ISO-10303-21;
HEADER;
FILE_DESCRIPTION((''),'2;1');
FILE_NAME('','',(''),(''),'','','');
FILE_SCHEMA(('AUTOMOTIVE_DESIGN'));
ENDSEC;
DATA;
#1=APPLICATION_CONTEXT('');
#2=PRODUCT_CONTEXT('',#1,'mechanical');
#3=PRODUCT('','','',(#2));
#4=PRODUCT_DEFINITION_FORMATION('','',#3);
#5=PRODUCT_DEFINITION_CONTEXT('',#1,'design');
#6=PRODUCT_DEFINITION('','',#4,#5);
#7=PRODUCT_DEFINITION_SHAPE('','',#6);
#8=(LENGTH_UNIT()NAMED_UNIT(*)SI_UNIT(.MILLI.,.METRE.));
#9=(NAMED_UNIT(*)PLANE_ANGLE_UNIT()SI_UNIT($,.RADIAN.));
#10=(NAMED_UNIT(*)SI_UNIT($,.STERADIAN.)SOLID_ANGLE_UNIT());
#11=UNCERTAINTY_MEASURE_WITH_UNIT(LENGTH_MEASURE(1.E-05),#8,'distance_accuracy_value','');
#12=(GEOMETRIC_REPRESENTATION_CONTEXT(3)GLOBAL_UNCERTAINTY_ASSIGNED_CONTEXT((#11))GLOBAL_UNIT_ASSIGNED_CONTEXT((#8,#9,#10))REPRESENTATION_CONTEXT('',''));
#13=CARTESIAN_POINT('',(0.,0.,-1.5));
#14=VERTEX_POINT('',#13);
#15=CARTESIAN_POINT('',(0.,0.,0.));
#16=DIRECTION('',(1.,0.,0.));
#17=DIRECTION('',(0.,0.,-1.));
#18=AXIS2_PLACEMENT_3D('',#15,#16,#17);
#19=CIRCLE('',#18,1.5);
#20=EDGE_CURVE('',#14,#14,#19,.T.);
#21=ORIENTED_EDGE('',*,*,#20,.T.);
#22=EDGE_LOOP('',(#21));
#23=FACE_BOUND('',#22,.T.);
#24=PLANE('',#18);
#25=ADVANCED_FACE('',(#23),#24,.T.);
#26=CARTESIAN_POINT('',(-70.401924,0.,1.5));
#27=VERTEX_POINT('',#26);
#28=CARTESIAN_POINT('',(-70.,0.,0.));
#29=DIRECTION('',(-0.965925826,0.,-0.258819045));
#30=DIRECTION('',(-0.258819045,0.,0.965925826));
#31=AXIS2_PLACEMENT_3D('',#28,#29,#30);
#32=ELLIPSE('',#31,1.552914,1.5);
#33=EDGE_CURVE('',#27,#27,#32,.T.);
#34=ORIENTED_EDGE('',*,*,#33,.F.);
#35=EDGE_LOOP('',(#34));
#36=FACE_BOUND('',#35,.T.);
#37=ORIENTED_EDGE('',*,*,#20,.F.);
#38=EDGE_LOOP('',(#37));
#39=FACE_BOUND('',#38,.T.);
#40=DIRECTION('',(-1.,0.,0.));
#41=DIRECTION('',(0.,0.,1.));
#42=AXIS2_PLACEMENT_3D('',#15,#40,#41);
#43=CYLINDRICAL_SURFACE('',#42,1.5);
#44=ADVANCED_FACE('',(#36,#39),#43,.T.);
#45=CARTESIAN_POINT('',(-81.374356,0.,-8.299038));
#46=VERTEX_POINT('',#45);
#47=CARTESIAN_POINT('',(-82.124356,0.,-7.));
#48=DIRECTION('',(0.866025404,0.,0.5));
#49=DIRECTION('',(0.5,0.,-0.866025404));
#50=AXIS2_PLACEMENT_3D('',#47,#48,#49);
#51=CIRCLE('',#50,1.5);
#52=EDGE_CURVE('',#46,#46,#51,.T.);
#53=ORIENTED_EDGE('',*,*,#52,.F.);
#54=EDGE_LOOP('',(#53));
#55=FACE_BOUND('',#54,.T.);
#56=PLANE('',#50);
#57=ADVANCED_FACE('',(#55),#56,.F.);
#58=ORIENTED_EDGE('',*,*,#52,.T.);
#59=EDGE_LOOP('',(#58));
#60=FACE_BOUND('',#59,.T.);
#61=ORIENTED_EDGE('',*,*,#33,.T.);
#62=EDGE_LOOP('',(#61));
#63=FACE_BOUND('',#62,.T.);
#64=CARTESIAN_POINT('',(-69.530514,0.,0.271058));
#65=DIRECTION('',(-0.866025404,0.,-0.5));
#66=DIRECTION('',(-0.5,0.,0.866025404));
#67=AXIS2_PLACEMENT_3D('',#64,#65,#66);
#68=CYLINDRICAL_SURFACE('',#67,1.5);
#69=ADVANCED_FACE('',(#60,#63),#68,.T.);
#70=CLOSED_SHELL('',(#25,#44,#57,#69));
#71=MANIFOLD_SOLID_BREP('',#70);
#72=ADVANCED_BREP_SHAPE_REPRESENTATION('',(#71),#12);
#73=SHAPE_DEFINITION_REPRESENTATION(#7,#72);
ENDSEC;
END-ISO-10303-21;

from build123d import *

# Parameters (mm, degrees)
SKETCH2_R = 1.5


with BuildPart() as part:
    # Sweep1: sweep along a path in Sketch1
    with BuildLine(Plane(origin=(0, 0, 0), x_dir=(1, 0, 0), z_dir=(0, 1, 0))) as sweep1_path:
        Line((0, 0), (-70, 0))
        Line((-70, 0), (-82.124355653, 7))
    # Sketch2 → Sweep1 (sweep)
    with BuildSketch(Plane(origin=(0, 0, 0), x_dir=(0, 0, -1), z_dir=(1, 0, 0))):
        Circle(SKETCH2_R)
    sweep(path=sweep1_path.line, transition=Transition.RIGHT)


solid = part.part
